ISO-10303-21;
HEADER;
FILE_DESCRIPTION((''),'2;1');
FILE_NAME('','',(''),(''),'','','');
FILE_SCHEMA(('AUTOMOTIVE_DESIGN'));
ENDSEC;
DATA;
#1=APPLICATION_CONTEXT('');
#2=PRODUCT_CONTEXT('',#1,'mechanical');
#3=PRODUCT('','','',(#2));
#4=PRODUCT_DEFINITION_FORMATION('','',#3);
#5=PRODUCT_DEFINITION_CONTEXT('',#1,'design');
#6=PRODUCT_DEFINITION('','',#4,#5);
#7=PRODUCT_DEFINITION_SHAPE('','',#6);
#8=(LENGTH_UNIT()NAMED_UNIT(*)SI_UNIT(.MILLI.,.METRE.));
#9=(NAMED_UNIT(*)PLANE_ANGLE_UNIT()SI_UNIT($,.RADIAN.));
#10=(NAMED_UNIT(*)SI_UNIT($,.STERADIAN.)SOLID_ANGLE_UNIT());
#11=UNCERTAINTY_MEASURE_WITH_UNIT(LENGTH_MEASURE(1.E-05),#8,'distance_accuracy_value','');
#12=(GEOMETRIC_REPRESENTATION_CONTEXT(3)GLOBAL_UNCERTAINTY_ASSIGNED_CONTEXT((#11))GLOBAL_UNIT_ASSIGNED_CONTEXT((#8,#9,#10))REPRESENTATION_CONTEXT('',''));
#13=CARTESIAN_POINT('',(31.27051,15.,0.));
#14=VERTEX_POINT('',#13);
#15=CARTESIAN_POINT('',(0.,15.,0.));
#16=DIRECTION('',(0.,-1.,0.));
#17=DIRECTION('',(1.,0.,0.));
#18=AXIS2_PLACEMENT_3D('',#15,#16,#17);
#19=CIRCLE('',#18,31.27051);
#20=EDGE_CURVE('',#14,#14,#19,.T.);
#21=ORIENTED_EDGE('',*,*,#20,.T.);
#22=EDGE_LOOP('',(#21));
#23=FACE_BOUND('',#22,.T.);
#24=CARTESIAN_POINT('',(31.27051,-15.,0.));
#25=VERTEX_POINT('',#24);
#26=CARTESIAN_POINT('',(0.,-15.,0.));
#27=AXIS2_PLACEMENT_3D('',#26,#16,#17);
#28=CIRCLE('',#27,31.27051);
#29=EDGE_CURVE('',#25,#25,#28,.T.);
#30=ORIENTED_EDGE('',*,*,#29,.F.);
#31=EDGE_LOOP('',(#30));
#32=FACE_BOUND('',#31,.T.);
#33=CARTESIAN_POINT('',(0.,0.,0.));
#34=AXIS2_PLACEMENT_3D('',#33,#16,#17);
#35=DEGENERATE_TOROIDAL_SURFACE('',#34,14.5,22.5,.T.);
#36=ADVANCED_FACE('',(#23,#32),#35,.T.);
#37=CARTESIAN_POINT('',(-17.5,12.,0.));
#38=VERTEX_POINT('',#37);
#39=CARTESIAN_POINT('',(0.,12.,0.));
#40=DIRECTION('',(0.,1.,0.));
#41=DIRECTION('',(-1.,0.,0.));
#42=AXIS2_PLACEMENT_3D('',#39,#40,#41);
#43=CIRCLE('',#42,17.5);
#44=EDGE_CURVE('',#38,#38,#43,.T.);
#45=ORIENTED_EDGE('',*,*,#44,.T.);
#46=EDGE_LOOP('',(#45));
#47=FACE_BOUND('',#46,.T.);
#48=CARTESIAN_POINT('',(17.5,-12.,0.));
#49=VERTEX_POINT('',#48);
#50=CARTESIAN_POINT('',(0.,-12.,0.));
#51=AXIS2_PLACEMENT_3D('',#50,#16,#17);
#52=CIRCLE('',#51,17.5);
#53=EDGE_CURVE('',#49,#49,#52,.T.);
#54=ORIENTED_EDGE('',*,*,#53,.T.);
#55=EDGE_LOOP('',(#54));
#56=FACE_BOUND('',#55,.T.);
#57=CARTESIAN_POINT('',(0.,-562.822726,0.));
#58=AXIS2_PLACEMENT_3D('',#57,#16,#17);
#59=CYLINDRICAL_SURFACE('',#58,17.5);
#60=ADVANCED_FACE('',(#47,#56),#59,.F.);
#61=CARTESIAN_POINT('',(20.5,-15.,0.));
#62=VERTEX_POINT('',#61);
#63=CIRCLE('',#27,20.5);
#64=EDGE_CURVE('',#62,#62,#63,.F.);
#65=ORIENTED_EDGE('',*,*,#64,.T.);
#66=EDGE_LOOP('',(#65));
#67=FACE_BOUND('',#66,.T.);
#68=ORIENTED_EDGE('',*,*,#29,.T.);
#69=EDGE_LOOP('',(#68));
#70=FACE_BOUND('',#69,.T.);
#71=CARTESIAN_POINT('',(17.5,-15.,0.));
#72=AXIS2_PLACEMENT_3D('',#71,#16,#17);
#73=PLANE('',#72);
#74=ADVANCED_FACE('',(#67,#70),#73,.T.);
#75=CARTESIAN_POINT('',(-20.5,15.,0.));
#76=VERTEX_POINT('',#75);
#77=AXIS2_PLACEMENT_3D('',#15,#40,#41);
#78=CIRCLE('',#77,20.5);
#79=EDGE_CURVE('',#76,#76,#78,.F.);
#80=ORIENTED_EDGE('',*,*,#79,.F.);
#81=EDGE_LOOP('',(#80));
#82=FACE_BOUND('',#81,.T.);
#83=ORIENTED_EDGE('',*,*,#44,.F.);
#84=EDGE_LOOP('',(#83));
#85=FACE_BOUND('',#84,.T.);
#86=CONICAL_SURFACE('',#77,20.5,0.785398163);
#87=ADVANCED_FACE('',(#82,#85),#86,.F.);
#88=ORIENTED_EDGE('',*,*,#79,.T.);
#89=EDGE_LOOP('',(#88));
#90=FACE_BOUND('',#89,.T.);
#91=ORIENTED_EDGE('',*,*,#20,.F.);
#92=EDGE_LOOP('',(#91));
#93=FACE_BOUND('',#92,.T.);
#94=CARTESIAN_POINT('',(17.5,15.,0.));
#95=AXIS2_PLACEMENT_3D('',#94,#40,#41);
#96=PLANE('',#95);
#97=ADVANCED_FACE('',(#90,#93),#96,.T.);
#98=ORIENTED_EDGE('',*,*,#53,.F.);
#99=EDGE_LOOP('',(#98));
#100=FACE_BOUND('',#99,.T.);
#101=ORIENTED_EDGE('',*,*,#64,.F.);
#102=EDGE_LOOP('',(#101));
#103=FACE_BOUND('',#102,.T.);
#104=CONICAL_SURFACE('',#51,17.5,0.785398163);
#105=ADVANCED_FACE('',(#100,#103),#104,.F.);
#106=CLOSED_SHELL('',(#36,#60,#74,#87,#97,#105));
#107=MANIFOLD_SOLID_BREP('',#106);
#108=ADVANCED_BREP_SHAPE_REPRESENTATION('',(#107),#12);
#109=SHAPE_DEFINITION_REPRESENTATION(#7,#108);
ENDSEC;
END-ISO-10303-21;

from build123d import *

# Parameters (mm, degrees)
CHAMFER1_SIZE = 3


with BuildPart() as part:
    # Sketch1 → Revolve1 (revolve)
    with BuildSketch(Plane.XY):
        with BuildLine():
            Line((17.5, 15), (17.5, -15))
            Line((17.5, -15), (31.270509831, -15))
            ThreePointArc((31.270509831, -15), (37, 0), (31.270509831, 15))
            Line((31.270509831, 15), (17.5, 15))
        make_face()
    revolve(axis=Axis((0, -562.822725834, 0), (0, 1, 0)))

    # Chamfer1
    chamfer1_edges = [part.edges().sort_by_distance(p)[0] for p in [
        (-17.5, 15, 0),
        (-17.5, -15, 0),
    ]]
    chamfer(chamfer1_edges, length=CHAMFER1_SIZE)


solid = part.part
